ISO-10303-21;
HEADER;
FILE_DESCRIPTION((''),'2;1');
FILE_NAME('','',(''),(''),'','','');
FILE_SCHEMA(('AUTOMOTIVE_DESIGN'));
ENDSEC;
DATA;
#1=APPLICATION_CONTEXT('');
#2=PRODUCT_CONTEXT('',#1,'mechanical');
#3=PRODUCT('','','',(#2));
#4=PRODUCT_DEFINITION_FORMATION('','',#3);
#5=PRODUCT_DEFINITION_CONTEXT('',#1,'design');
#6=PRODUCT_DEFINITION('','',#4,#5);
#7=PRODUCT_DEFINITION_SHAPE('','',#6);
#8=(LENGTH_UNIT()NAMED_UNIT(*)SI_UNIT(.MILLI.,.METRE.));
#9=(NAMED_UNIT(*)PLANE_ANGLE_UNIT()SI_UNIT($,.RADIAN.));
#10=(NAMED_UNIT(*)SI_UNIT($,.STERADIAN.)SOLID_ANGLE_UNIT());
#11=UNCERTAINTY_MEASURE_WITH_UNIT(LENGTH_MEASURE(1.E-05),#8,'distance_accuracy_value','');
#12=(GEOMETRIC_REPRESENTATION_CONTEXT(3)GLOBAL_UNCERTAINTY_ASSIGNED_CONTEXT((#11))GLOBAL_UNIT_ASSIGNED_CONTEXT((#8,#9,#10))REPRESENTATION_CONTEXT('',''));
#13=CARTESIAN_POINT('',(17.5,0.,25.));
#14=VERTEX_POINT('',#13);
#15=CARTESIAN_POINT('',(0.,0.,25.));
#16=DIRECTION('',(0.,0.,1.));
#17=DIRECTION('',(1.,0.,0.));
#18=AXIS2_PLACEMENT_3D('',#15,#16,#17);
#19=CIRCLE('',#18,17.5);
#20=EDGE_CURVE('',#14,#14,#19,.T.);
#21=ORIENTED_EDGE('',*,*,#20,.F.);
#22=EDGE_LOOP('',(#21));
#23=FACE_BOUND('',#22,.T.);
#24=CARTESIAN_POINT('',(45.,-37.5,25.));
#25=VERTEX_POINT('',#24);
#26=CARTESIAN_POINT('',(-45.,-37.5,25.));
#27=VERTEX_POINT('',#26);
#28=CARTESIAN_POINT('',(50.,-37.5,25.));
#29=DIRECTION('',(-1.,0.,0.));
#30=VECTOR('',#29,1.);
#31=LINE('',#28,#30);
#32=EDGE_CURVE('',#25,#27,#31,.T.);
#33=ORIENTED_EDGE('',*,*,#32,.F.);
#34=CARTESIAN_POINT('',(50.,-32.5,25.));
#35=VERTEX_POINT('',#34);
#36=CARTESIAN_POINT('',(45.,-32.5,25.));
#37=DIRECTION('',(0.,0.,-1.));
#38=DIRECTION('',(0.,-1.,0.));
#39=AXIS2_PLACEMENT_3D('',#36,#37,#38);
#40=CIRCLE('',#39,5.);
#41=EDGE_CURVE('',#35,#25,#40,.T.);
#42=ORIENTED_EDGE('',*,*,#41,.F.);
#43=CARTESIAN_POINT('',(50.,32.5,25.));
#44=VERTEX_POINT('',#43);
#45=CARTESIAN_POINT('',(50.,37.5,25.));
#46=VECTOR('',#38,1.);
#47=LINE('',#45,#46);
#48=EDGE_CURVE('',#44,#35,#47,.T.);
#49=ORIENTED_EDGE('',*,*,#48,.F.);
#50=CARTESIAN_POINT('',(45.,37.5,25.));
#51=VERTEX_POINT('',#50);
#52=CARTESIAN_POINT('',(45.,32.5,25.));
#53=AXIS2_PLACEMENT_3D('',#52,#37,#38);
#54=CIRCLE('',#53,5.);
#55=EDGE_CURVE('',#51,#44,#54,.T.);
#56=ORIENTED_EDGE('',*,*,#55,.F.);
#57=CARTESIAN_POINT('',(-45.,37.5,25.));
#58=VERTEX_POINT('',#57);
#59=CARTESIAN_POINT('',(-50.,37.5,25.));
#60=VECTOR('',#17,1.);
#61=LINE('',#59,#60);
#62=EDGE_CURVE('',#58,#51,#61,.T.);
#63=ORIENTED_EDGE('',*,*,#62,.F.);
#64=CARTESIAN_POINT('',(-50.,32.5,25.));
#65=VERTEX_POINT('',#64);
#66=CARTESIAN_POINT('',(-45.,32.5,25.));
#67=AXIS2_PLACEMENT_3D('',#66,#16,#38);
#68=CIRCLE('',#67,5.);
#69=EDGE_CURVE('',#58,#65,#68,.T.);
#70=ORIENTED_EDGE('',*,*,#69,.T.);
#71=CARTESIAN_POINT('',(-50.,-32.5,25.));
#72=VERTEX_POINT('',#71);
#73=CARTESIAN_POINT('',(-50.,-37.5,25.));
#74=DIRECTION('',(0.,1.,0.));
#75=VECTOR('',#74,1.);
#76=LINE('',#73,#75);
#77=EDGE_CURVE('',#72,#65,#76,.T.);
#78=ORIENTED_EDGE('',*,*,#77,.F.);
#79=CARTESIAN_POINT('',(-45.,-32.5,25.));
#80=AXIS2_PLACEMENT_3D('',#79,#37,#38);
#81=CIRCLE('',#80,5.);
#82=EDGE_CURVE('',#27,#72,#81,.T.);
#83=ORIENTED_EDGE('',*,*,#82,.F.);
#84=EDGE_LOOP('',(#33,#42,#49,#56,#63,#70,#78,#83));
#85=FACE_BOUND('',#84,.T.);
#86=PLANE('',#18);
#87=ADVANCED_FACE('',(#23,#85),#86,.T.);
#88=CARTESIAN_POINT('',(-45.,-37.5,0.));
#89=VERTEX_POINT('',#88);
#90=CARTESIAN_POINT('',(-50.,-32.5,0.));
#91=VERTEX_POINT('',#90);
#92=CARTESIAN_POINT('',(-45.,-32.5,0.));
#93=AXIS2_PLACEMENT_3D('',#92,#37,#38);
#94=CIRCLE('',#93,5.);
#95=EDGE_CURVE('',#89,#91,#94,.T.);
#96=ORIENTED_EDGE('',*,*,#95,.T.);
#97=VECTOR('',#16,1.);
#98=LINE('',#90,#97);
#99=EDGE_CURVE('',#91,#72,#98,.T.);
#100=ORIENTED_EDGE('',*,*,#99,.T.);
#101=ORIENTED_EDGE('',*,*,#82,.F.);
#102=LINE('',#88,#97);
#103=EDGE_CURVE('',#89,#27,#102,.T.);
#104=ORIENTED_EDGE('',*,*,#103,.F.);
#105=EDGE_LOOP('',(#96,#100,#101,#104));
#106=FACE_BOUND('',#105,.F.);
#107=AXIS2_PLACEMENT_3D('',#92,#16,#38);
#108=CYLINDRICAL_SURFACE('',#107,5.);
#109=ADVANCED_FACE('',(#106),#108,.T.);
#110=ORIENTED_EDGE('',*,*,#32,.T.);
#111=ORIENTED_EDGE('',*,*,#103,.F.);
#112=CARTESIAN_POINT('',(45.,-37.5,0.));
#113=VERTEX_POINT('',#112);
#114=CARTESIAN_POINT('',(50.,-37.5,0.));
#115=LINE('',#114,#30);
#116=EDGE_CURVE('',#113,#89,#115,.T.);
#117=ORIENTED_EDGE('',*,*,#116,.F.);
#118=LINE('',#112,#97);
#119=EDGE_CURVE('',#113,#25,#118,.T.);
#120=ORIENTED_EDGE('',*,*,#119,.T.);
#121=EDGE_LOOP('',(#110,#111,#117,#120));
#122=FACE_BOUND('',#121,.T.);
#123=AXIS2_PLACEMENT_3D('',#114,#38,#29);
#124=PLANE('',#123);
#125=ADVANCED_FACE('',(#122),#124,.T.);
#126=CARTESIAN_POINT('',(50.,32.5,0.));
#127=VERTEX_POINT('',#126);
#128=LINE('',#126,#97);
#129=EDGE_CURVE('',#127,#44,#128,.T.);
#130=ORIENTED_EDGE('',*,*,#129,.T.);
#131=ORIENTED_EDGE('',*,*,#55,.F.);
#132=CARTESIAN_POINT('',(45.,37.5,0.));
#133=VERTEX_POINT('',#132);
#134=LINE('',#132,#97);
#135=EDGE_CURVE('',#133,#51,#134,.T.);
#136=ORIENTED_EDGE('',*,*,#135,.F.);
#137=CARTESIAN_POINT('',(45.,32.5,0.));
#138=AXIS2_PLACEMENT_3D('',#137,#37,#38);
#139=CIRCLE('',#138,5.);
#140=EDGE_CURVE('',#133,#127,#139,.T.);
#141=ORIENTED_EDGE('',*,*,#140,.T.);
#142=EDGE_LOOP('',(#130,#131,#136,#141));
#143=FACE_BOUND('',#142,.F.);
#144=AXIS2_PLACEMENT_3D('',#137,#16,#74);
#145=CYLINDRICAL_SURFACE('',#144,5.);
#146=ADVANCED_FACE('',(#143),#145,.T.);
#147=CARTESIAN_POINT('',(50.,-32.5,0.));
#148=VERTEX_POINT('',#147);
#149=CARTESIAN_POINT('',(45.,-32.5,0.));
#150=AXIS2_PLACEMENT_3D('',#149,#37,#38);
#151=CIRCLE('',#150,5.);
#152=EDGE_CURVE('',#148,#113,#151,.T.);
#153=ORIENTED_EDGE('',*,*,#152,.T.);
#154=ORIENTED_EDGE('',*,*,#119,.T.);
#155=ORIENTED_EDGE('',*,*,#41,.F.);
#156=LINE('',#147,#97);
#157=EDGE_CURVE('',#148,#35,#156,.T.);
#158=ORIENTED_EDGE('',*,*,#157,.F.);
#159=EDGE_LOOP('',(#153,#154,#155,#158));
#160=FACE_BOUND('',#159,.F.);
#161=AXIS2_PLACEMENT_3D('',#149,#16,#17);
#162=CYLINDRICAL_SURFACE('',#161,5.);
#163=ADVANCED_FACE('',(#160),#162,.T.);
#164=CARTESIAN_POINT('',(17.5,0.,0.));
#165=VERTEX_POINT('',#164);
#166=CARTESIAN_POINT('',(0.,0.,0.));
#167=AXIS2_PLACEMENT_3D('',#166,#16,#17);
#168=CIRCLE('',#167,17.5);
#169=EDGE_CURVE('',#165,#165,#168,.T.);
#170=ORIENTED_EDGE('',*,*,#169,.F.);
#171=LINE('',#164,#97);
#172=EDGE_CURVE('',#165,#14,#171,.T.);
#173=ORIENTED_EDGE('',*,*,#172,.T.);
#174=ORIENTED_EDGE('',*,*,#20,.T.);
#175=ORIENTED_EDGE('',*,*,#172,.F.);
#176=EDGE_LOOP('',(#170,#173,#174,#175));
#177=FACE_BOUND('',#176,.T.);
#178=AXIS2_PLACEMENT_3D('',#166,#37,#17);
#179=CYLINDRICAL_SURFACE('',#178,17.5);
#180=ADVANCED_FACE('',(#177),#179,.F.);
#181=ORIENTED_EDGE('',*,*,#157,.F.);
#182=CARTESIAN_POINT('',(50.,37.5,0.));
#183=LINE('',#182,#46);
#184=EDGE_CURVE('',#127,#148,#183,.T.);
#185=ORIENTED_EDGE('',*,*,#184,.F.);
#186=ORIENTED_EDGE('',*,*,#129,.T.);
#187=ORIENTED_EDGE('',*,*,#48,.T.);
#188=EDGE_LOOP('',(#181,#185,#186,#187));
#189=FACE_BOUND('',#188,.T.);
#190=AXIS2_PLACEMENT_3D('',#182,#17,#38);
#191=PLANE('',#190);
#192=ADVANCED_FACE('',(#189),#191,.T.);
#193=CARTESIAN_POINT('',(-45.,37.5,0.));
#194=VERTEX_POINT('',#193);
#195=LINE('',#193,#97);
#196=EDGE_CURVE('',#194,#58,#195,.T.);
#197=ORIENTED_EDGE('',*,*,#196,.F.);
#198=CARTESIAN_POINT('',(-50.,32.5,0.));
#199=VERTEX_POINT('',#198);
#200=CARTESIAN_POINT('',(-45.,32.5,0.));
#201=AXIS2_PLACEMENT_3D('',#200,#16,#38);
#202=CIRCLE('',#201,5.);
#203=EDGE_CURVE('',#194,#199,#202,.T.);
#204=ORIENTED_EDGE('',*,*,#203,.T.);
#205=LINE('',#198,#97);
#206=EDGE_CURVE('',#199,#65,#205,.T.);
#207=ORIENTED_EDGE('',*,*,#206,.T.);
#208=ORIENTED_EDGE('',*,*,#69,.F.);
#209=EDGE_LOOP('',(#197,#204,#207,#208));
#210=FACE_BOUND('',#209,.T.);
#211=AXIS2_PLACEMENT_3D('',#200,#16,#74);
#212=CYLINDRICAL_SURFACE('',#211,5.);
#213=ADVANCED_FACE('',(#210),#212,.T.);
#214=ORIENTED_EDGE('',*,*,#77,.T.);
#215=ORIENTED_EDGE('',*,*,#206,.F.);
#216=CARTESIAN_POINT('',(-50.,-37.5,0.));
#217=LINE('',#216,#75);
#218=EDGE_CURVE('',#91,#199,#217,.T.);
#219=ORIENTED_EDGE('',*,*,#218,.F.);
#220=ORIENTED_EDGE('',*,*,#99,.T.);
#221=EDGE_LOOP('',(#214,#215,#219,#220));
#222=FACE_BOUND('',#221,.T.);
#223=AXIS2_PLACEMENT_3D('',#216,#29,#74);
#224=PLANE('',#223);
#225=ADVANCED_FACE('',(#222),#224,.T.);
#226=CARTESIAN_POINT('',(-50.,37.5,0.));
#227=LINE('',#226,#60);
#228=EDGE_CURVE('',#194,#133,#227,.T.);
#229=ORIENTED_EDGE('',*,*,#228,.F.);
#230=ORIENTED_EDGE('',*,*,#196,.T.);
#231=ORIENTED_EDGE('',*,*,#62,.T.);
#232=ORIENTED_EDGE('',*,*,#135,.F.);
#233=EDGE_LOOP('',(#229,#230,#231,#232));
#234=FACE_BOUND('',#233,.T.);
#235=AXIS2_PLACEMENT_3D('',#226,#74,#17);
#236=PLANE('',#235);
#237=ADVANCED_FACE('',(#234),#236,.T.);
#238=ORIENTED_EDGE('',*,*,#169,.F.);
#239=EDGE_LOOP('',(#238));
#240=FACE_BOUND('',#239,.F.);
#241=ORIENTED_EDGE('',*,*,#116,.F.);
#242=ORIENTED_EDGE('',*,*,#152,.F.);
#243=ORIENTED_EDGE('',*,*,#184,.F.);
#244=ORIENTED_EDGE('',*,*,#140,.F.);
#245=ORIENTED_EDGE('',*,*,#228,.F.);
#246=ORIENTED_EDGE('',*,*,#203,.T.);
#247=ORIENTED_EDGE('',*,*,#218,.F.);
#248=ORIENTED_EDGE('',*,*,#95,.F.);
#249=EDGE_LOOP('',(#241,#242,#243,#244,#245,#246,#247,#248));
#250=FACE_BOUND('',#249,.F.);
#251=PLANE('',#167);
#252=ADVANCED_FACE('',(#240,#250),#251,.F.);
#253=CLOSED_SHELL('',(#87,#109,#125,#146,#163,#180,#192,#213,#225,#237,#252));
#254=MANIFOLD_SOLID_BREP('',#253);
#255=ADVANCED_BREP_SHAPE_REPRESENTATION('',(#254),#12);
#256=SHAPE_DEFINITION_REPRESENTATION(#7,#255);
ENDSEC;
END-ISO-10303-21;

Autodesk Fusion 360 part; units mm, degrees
sketch "Sketch1" plane through (0, 0, 0) normal (0, 0, 1) x (1, 0, 0)
  line L0 (-50, 37.5) -> (50, 37.5)
  line L1 (50, 37.5) -> (50, -37.5)
  line L2 (50, -37.5) -> (-50, -37.5)
  line L3 (-50, -37.5) -> (-50, 37.5)
  line L4 (-50, 37.5) -> (50, -37.5) construction
  line L5 (50, 37.5) -> (-50, -37.5) construction
  circle A0 centre (0, 0) radius 17.5
  dimension "d1" = 100
  dimension "d2" = 75
  dimension "d3" = 35
extrude "Extrude1" add sketch "Sketch1" along normal blind 25
fillet "Fillet1" radius 5 4 edges at (50, -37.5, 12.5) (50, 37.5, 12.5) (-50, 37.5, 12.5) (-50, -37.5, 12.5)
